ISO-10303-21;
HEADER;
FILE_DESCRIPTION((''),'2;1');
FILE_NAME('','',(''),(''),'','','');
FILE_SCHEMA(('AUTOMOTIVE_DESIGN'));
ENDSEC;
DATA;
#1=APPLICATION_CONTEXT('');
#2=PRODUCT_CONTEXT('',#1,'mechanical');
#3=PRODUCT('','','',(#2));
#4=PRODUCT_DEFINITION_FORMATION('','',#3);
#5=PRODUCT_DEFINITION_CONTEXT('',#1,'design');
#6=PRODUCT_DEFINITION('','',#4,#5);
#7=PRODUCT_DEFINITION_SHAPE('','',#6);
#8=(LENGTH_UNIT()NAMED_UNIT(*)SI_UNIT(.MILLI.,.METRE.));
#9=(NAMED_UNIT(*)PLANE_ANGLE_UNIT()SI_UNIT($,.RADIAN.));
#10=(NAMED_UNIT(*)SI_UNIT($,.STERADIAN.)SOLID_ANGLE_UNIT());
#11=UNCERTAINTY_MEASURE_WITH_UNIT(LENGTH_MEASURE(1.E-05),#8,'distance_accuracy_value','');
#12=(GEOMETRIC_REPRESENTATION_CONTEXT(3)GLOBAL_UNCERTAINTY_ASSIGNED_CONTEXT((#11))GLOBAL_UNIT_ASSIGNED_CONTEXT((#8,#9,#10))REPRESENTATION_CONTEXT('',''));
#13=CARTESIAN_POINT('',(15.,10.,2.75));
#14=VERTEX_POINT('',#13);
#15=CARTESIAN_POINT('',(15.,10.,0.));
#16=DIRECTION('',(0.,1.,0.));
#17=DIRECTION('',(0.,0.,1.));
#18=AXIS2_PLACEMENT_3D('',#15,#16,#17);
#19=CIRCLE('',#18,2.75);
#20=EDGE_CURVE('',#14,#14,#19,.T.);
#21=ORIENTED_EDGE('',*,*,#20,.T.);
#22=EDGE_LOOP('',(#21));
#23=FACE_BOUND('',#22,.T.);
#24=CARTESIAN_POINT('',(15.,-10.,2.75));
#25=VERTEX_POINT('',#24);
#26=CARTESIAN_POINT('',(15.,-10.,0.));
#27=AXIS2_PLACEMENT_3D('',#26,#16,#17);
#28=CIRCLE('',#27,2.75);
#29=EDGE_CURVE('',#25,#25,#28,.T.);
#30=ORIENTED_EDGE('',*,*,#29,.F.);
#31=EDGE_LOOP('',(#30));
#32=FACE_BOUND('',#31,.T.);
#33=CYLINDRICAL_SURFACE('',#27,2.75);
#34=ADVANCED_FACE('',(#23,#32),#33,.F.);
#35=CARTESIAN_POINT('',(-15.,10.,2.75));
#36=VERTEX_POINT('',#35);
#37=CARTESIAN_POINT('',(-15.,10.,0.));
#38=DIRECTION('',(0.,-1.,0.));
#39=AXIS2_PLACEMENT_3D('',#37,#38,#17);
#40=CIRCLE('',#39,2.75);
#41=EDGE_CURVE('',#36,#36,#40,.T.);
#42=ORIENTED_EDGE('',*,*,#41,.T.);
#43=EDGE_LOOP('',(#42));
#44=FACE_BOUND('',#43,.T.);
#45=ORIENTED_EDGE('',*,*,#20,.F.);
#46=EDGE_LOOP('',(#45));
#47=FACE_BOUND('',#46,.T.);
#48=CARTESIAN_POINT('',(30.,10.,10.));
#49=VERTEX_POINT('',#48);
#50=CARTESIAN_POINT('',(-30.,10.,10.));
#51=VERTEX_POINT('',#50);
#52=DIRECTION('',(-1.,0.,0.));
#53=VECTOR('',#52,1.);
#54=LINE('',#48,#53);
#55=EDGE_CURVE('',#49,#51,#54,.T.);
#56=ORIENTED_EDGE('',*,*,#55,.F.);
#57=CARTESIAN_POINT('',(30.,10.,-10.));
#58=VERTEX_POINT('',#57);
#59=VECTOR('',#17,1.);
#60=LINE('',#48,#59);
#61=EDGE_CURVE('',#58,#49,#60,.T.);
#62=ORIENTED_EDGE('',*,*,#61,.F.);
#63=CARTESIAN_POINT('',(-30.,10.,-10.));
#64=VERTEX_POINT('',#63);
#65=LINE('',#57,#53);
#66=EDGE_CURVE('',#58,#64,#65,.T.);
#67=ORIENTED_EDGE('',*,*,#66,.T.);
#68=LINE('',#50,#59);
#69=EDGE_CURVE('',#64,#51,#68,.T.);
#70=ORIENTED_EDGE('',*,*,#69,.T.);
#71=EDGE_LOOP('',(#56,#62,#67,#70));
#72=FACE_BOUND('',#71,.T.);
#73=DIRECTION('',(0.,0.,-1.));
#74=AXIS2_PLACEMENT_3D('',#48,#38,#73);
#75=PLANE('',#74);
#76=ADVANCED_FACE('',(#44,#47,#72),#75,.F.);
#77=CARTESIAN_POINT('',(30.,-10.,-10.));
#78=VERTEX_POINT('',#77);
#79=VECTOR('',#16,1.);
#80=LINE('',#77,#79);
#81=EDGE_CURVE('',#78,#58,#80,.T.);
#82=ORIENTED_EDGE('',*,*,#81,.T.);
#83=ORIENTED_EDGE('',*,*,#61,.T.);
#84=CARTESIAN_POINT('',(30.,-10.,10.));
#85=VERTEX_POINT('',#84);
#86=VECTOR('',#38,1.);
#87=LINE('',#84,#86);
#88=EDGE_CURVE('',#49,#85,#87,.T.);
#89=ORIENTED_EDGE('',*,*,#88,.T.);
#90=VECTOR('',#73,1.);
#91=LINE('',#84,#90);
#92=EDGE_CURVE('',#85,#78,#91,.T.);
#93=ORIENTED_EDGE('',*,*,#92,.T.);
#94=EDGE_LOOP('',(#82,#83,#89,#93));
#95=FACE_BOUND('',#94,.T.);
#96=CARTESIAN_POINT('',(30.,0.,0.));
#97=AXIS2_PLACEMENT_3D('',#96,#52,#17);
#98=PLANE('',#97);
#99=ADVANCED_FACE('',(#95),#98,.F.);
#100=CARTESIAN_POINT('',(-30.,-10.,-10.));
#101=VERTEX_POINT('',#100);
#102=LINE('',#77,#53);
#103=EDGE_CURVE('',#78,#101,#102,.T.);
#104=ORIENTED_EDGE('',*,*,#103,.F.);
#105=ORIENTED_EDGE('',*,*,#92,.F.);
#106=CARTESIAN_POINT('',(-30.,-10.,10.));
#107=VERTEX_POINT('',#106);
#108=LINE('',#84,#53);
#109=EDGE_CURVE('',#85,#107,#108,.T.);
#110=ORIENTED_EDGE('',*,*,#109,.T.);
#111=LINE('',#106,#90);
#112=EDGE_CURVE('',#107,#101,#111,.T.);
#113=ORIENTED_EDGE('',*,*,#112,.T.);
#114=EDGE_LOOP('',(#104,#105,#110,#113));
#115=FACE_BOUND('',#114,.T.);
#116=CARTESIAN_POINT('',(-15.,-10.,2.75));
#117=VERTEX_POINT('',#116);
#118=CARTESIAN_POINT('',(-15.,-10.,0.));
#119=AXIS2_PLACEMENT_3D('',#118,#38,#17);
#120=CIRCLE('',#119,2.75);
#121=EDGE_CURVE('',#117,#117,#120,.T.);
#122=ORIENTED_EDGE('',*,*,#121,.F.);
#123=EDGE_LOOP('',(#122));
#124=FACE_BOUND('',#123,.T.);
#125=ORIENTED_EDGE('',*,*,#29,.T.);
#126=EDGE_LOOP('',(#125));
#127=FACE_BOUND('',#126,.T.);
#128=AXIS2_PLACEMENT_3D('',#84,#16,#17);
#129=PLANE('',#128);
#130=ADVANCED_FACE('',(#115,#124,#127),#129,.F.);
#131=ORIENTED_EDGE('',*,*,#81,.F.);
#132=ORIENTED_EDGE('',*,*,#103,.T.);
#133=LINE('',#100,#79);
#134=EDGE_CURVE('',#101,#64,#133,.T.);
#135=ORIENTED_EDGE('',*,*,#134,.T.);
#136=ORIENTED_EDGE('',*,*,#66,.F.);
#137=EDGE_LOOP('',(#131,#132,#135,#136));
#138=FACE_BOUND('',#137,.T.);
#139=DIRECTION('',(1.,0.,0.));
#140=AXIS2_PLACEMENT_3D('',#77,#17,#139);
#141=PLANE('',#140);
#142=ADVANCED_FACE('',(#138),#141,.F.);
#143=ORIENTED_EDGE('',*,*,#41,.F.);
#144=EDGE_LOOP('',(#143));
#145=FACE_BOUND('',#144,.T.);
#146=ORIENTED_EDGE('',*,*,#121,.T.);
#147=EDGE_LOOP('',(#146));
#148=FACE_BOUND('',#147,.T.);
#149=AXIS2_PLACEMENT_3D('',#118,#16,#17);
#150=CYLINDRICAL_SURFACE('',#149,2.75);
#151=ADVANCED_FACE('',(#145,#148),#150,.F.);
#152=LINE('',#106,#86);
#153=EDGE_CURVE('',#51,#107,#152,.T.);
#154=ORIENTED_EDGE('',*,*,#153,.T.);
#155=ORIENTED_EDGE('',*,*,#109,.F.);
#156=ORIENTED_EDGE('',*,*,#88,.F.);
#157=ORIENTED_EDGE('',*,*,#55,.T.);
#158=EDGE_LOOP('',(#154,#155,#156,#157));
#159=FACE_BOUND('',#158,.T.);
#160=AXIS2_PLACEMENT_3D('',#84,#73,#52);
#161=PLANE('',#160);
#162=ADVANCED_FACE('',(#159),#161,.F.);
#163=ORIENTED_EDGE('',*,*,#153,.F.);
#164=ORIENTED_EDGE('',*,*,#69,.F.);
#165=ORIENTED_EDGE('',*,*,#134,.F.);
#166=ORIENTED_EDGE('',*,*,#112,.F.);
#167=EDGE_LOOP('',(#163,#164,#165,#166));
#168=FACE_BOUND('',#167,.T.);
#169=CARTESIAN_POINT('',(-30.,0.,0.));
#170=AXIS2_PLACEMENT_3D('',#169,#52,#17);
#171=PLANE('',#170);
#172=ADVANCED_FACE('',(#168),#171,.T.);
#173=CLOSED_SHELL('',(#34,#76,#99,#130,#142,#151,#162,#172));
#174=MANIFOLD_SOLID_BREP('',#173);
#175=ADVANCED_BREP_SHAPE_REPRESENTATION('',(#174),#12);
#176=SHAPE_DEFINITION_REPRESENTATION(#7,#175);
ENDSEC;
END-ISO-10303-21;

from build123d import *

# Parameters (mm, degrees)
SKETCH1_W           = 20
SKETCH1_H           = 20
BOSS_EXTRUDE1_DEPTH = 30
SKETCH2_R           = 2.75
CUT_EXTRUDE1_DEPTH  = 38.416573868


with BuildPart() as part:
    # Sketch1 → Boss-Extrude1 (new, symmetric)
    with BuildSketch(Plane(origin=(0, 0, 0), x_dir=(0, 0, -1), z_dir=(1, 0, 0))):
        Rectangle(SKETCH1_W, SKETCH1_H)
    extrude(amount=BOSS_EXTRUDE1_DEPTH, both=True)

    # Sketch2 → Cut-Extrude1 (cut, through all)
    with BuildSketch(Plane(origin=(0, 10, 0), x_dir=(1, 0, 0), z_dir=(0, 1, 0))):
        with Locations(Location((15, 0, 0), (0, 0, 270))):
            Circle(SKETCH2_R)
    cut_extrude1 = extrude(amount=-CUT_EXTRUDE1_DEPTH, mode=Mode.SUBTRACT)

    # Mirror1: Cut-Extrude1 across plane
    add(cut_extrude1.mirror(Plane(origin=(0, 0, 0), x_dir=(0, 0, 1), z_dir=(1, 0, 0))), mode=Mode.SUBTRACT)


solid = part.part
